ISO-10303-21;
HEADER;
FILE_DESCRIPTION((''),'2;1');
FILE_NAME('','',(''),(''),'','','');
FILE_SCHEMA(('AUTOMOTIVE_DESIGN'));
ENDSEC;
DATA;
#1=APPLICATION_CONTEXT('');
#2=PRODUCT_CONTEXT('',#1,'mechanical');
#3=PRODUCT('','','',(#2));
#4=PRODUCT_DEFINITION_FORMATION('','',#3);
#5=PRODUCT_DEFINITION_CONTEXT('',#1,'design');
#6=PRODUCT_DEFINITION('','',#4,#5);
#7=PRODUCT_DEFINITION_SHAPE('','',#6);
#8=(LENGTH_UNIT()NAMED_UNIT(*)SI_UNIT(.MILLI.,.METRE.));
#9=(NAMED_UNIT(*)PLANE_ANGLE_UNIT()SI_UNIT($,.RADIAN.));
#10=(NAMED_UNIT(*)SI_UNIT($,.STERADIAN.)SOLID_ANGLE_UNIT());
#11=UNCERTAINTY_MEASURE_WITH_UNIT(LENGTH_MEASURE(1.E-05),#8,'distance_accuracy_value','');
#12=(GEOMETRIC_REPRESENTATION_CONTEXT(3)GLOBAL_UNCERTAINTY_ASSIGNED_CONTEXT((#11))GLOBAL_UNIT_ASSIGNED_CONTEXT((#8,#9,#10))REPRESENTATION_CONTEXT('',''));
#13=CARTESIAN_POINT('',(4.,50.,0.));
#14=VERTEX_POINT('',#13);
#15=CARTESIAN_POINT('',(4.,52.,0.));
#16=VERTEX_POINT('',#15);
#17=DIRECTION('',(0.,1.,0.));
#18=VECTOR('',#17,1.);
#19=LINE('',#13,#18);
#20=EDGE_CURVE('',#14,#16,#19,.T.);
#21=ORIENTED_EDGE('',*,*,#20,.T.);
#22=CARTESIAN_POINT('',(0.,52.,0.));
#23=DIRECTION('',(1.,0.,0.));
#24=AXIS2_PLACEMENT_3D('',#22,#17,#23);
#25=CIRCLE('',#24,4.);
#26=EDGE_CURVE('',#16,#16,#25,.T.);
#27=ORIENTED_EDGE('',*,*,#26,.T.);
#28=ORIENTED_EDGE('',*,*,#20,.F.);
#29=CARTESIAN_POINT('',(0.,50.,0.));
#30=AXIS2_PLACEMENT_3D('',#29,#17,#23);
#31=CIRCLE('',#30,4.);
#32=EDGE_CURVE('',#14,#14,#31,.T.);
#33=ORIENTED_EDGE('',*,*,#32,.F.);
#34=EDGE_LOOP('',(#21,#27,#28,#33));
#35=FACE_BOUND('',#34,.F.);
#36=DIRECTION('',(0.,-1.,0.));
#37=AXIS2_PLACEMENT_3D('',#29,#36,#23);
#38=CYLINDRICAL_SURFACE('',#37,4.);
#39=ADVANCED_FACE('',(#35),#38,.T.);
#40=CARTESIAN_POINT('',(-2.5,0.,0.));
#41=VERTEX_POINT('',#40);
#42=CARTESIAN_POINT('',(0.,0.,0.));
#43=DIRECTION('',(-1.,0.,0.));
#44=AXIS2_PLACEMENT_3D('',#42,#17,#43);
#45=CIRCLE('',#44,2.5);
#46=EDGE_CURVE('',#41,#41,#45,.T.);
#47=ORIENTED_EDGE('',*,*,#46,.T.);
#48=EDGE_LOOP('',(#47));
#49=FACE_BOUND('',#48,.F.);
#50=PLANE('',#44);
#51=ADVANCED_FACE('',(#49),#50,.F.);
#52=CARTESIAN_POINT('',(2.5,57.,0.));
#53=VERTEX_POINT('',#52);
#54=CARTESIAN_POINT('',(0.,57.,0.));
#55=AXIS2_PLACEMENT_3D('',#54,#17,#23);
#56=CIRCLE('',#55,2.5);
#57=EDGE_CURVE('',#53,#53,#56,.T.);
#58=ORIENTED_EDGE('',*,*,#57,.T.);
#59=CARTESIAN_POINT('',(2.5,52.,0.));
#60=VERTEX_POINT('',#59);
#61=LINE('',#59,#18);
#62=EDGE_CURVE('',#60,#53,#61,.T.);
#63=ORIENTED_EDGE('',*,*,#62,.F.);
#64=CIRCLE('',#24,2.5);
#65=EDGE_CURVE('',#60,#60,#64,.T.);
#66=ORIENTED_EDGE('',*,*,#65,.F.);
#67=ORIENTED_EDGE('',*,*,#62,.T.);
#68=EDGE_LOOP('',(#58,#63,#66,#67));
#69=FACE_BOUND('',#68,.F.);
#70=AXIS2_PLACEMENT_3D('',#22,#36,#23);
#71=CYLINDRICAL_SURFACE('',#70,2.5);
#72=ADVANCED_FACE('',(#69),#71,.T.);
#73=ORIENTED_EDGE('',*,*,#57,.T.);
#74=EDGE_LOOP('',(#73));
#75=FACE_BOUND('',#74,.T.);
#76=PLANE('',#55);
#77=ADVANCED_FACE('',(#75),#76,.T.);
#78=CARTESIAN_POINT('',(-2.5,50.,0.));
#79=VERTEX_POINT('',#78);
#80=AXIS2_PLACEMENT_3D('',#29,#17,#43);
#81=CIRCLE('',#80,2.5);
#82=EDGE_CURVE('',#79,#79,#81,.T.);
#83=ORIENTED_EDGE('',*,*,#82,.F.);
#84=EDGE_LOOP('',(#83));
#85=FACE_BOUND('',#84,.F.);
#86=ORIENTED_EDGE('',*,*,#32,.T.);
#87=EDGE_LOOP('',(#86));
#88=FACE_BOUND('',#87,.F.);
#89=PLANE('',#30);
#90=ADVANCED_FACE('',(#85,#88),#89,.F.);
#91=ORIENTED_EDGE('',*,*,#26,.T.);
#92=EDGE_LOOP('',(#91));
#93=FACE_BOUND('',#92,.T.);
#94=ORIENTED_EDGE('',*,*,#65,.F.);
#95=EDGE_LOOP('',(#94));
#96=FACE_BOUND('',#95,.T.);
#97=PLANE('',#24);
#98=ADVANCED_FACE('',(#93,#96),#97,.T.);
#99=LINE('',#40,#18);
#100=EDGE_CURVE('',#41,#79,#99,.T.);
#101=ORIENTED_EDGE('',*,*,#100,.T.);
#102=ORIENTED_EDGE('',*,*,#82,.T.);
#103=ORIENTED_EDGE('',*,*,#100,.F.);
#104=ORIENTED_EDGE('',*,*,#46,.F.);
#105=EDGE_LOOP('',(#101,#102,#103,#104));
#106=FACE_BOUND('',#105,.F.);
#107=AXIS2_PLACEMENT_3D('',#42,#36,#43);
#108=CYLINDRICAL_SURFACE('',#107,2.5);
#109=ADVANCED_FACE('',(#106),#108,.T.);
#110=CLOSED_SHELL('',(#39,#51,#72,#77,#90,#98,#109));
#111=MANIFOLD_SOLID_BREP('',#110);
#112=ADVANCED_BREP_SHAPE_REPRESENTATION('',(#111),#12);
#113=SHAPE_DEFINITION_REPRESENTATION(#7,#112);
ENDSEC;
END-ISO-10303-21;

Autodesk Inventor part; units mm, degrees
ref_plane "YZ Plane" through (0, 0, 0) normal (1, 0, 0) x (0, 1, 0)
ref_plane "XZ Plane" through (0, 0, 0) normal (0, 1, 0) x (-1, 0, 0)
ref_plane "XY Plane" through (0, 0, 0) normal (0, 0, 1) x (1, 0, 0)
sketch "Sketch1" plane through (0, 0, 0) normal (0, 1, 0) x (-1, 0, 0)
  circle A0 centre (0, 0) radius 2.5
  dimension "d0" = 5
extrude "Extrusion1" add sketch "Sketch1" along normal blind 50
sketch "Sketch2" plane through (0, 50, 0) normal (0, 1, 0) x (1, 0, 0)
  circle A0 centre (0, 0) radius 4
  dimension "d3" = 8
extrude "Extrusion2" add sketch "Sketch2" along normal blind 2
sketch "Sketch3" plane through (0, 52, 0) normal (0, 1, 0) x (1, 0, 0)
  circle A0 centre (0, 0) radius 2.5
  dimension "d6" = 5
extrude "Extrusion3" add sketch "Sketch3" along normal blind 5
properties part number "IB06A229"
